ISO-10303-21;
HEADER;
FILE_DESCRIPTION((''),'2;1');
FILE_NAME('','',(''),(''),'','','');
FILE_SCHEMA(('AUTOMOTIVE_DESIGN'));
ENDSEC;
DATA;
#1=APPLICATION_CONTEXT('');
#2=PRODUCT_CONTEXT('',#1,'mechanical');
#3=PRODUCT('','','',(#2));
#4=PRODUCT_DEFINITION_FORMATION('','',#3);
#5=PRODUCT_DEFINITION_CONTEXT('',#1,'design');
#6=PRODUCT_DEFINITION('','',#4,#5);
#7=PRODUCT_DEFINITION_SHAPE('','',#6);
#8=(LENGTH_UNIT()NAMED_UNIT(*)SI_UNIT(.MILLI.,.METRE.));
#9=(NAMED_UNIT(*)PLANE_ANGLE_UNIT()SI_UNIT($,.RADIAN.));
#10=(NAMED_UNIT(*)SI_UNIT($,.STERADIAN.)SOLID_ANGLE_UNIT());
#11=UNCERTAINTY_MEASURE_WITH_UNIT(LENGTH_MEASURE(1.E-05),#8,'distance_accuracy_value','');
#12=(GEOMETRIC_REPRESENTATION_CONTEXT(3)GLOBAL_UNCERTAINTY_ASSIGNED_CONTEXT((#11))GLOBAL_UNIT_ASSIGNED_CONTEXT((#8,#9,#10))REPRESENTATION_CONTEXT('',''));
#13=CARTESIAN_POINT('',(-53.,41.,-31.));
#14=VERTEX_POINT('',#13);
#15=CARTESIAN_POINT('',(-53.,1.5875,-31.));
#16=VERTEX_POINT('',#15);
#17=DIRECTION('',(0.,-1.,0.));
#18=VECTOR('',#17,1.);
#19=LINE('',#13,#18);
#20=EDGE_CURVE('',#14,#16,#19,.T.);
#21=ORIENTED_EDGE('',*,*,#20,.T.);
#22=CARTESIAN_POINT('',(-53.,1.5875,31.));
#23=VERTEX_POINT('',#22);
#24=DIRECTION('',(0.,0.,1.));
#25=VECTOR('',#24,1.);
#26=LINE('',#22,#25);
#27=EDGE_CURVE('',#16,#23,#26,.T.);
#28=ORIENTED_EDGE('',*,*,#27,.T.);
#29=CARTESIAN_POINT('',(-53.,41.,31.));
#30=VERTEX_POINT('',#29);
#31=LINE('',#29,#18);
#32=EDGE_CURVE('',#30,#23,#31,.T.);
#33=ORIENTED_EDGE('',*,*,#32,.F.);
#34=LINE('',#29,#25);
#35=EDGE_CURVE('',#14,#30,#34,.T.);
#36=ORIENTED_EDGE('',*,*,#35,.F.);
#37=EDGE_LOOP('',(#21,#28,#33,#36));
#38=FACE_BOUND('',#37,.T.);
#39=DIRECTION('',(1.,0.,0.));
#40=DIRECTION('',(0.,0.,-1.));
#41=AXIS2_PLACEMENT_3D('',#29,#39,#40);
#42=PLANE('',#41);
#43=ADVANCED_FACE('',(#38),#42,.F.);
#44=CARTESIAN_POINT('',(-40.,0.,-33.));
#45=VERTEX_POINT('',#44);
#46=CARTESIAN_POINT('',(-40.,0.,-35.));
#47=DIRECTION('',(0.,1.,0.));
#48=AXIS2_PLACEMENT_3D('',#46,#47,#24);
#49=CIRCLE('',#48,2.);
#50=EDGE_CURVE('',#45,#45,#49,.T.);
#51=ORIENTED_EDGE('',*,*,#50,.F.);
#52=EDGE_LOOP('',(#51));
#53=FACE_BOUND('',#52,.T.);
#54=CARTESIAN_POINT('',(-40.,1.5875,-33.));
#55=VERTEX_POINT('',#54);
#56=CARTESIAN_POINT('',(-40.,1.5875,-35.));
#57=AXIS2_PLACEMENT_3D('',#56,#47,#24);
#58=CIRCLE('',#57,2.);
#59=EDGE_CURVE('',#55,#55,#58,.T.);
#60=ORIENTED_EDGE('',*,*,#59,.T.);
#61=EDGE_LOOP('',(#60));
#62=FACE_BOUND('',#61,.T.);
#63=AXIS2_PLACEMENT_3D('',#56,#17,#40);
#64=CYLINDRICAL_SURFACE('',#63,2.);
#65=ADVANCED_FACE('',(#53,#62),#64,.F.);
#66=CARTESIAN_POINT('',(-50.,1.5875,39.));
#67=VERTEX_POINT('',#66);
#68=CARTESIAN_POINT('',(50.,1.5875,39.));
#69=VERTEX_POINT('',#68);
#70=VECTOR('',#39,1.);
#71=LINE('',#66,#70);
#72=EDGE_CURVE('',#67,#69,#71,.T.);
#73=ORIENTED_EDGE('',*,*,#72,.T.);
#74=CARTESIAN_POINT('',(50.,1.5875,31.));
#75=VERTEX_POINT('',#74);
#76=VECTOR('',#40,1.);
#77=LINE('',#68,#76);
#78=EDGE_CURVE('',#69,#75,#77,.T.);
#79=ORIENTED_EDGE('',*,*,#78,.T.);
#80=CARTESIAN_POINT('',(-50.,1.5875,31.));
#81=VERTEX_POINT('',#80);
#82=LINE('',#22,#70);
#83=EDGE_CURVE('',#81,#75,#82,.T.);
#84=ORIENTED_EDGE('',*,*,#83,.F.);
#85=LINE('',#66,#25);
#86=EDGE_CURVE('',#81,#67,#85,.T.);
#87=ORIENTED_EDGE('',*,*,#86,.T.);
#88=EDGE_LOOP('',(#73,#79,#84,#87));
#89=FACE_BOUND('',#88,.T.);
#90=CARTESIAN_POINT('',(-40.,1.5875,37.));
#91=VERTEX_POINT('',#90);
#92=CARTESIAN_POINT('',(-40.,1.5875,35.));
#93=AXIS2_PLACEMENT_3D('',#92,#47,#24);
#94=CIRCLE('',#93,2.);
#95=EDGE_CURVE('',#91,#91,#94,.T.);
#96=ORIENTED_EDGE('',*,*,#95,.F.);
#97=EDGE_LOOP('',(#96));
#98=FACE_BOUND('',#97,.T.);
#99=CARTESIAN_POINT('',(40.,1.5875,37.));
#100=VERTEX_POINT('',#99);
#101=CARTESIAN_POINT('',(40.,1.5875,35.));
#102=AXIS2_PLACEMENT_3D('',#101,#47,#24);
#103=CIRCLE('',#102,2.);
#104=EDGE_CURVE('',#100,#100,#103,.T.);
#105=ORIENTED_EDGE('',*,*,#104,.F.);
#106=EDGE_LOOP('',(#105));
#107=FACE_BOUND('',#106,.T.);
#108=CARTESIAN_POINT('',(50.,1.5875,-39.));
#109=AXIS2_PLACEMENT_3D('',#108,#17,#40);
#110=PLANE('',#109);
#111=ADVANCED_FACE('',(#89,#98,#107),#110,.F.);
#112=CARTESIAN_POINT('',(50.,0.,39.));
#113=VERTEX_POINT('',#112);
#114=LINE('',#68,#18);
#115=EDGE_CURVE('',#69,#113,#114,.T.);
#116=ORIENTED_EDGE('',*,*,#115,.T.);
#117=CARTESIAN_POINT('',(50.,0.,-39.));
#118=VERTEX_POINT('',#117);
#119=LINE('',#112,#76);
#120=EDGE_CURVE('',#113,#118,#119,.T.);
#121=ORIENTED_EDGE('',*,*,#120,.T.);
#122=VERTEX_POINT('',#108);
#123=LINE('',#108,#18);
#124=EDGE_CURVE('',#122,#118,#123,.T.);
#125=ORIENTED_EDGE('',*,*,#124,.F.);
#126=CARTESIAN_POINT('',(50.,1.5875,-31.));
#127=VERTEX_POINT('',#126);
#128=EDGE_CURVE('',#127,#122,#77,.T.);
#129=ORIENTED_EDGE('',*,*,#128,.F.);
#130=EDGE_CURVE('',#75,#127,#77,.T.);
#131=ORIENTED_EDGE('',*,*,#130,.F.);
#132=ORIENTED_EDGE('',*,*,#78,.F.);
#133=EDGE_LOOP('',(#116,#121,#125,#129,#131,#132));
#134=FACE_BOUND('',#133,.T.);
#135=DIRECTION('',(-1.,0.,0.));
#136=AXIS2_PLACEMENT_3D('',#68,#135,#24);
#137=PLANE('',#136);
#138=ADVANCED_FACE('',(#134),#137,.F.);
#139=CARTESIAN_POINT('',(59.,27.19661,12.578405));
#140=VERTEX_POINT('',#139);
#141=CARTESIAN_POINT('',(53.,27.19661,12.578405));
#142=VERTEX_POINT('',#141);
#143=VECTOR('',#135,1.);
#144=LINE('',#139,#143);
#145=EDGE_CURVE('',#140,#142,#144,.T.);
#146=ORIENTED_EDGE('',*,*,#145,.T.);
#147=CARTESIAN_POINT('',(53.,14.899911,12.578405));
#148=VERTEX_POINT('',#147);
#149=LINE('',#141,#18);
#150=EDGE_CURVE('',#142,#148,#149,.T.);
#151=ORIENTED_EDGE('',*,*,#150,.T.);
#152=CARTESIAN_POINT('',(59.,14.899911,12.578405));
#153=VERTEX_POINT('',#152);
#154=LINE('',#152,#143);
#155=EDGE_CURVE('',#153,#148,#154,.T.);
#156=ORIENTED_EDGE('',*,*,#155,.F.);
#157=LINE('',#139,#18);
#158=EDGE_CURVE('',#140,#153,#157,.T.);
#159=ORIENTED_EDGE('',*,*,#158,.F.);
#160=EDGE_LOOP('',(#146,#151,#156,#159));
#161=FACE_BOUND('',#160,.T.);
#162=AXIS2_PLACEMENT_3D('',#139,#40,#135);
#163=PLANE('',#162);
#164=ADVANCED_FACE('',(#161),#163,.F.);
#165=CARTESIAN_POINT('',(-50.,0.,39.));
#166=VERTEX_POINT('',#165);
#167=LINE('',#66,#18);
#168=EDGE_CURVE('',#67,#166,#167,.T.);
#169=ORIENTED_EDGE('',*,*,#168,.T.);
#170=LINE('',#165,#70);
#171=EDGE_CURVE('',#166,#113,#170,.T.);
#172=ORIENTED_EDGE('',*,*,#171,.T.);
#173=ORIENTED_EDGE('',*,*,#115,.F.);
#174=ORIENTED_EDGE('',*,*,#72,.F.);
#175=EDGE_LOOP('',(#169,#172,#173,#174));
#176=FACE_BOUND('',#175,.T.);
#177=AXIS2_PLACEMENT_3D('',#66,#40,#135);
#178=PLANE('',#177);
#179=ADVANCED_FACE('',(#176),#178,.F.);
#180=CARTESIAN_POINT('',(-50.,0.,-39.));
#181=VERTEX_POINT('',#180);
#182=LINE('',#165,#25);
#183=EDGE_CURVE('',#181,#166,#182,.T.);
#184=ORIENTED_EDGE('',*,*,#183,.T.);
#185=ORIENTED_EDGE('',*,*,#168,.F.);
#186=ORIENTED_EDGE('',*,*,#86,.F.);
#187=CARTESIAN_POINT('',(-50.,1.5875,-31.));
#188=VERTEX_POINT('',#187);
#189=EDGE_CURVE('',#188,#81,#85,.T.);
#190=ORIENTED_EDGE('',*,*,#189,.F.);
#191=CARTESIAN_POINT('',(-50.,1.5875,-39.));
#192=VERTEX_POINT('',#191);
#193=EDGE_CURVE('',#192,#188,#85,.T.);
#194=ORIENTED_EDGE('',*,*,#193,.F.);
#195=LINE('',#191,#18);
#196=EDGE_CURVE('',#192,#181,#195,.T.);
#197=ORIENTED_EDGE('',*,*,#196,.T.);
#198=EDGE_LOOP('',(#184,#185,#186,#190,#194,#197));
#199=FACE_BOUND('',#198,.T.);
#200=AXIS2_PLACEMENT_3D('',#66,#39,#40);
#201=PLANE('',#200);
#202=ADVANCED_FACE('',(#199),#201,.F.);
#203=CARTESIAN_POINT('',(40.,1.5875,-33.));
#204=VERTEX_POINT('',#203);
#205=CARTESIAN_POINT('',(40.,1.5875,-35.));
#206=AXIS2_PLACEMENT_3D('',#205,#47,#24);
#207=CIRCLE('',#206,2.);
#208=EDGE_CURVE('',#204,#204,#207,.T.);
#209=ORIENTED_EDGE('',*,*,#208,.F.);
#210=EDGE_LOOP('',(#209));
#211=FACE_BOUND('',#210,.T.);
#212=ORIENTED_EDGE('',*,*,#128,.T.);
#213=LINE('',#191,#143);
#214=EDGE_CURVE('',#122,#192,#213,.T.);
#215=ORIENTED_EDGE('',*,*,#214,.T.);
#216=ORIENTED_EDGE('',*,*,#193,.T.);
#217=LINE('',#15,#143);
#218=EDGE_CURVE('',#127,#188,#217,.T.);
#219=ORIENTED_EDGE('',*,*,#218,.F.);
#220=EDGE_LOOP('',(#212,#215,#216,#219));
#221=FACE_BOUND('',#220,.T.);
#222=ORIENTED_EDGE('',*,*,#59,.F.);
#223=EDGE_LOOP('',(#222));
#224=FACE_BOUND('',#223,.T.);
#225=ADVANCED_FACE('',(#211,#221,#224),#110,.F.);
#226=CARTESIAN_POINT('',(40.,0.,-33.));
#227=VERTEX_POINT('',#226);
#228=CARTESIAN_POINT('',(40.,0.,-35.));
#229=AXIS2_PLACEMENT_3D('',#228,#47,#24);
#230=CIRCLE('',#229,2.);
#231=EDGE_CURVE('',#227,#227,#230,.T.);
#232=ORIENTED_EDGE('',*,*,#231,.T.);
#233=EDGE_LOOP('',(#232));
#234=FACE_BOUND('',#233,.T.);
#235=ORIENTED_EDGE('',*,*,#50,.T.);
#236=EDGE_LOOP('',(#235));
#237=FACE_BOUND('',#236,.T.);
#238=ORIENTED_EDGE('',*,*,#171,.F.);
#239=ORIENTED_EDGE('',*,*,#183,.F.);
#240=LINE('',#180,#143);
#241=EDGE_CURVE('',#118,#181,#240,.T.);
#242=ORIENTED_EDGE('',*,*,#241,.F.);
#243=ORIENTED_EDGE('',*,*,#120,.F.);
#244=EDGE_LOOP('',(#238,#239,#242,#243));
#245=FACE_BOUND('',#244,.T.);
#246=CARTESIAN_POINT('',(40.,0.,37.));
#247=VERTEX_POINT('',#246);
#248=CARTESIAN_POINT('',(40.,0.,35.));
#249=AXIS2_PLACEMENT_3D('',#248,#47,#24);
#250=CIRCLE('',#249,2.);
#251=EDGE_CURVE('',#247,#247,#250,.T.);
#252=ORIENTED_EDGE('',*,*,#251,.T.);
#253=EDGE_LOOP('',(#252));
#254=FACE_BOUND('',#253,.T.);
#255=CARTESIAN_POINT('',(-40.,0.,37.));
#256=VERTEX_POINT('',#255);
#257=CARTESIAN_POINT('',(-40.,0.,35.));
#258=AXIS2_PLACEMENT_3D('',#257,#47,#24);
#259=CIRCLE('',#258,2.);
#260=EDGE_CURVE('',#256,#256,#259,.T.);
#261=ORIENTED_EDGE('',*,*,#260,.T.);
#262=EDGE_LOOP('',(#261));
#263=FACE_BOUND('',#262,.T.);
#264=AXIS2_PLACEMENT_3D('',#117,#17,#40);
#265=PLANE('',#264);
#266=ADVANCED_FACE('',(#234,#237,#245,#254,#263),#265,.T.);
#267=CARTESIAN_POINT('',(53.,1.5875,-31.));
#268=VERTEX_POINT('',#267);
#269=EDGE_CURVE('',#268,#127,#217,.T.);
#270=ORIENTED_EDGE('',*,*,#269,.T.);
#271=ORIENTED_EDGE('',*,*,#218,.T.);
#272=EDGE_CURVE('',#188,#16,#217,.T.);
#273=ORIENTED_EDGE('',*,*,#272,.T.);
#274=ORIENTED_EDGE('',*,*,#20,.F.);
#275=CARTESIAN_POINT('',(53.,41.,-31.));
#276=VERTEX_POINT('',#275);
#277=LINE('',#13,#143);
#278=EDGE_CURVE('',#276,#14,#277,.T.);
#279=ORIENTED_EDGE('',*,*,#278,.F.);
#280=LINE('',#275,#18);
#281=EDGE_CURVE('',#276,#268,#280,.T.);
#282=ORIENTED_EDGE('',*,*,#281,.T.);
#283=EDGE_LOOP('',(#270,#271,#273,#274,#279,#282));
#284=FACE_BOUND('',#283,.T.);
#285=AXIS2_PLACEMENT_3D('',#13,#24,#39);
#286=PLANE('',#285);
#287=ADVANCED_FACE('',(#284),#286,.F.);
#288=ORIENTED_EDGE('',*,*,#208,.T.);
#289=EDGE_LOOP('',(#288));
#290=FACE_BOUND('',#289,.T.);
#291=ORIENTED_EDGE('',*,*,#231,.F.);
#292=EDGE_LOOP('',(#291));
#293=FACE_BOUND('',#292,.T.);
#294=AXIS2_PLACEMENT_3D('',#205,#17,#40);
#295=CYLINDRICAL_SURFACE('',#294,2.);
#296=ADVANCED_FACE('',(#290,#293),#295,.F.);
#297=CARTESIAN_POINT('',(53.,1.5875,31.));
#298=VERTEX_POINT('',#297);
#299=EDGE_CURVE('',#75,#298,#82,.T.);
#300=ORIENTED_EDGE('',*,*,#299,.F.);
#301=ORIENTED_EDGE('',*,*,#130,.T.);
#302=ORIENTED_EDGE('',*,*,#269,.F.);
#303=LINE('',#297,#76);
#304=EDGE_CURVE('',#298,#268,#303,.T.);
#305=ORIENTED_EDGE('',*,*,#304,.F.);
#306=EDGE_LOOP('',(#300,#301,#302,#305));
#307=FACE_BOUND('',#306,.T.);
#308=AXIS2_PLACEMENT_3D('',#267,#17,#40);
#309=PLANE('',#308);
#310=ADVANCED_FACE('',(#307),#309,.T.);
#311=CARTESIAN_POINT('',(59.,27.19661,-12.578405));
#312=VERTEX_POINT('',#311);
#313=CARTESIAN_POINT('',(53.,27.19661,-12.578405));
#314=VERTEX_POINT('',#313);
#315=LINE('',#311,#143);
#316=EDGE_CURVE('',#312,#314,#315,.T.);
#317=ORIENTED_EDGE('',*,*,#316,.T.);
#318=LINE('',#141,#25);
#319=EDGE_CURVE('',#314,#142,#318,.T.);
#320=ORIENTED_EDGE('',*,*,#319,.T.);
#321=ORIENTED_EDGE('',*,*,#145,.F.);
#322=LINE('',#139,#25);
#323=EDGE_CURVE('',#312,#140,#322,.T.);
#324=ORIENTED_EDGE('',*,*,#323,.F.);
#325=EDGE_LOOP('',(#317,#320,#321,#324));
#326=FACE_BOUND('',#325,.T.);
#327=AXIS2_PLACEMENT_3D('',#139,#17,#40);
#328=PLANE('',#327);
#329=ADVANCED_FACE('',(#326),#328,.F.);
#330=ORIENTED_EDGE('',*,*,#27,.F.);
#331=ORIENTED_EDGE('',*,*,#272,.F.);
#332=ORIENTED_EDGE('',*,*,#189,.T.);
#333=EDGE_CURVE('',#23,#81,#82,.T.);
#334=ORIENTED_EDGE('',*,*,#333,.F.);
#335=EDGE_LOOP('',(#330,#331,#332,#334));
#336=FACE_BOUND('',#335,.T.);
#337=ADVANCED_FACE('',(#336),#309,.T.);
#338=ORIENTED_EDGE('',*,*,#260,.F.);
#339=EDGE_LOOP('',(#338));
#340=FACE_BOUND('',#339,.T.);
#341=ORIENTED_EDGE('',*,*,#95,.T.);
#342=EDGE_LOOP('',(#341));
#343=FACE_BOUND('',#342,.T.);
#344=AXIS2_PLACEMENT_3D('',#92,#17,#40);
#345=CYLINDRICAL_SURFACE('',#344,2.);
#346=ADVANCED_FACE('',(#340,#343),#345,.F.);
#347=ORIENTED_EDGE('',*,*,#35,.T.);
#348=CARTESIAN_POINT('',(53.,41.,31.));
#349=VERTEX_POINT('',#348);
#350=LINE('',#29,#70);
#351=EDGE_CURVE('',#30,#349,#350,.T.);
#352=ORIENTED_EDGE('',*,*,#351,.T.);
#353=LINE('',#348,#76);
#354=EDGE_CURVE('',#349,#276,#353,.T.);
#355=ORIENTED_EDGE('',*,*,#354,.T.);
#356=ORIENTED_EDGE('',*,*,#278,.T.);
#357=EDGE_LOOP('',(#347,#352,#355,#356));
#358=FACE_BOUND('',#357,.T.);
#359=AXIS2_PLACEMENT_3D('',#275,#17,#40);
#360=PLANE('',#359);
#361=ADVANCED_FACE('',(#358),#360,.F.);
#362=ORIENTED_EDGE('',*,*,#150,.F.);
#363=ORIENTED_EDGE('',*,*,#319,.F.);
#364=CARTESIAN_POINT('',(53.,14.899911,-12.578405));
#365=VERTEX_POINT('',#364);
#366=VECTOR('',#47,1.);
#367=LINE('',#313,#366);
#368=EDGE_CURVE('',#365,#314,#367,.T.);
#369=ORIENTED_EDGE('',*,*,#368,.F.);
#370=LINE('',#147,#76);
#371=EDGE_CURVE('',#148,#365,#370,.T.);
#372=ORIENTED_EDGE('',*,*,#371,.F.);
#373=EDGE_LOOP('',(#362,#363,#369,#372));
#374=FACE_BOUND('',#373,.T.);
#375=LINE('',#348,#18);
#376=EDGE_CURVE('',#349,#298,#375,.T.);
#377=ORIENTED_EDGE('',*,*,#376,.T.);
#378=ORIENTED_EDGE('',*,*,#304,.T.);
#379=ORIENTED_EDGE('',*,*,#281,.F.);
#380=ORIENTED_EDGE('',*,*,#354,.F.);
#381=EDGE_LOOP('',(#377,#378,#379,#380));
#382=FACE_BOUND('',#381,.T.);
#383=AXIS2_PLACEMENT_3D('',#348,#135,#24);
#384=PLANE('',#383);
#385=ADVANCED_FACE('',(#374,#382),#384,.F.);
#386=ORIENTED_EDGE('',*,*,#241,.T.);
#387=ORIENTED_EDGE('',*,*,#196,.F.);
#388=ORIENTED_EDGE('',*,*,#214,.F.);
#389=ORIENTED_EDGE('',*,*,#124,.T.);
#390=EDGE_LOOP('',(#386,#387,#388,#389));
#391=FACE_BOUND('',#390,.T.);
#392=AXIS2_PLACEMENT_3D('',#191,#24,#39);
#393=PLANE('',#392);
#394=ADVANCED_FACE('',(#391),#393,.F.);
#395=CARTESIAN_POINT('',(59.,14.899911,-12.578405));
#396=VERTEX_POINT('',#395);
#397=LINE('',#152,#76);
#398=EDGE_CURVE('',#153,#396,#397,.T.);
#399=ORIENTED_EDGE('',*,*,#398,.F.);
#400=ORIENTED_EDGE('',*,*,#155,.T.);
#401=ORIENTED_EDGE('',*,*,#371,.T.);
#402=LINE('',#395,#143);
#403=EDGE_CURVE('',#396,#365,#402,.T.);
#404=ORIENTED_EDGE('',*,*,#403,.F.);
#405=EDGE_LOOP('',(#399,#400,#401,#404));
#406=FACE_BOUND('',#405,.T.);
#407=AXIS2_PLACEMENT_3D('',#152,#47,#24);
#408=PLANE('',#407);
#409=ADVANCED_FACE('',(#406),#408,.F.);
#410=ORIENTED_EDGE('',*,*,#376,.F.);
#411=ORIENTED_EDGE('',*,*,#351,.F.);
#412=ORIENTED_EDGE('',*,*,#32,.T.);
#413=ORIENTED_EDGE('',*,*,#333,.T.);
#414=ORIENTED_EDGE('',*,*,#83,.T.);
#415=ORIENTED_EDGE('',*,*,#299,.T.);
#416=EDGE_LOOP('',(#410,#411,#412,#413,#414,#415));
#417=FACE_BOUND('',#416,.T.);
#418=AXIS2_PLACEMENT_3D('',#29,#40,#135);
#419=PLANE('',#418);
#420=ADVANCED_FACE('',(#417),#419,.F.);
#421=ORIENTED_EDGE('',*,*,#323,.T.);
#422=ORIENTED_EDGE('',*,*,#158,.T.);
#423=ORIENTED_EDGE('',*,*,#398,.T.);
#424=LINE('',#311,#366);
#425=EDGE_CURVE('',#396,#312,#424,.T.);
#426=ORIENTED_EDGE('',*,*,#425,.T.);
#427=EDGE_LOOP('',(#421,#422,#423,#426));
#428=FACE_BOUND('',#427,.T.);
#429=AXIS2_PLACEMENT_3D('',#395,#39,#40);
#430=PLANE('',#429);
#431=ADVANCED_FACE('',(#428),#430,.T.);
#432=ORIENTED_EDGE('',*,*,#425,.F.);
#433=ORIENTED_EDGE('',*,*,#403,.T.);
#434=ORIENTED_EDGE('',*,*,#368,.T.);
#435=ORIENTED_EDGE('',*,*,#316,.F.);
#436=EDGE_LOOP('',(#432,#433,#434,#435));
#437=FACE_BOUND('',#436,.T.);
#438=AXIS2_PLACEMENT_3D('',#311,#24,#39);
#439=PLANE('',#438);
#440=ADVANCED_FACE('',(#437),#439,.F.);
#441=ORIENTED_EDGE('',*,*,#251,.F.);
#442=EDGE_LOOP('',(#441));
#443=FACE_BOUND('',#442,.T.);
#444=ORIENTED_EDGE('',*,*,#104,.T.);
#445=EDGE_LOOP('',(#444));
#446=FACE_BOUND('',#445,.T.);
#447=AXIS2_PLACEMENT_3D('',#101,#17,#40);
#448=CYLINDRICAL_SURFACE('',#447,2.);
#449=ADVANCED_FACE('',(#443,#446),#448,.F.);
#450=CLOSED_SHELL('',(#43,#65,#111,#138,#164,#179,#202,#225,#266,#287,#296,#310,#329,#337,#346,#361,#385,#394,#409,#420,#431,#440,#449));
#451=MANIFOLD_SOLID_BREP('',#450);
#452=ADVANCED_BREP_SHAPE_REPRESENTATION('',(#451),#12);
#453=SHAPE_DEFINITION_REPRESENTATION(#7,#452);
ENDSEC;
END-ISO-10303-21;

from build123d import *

# Parameters (mm, degrees)
SKETCH1_W           = 100
SKETCH1_H           = 78
SKETCH1_R           = 2
BOSS_EXTRUDE1_DEPTH = 1.5875
SKETCH2_W           = 106
SKETCH2_H           = 62
BOSS_EXTRUDE2_DEPTH = 39.4125
SKETCH3_W           = 25.156810392
SKETCH3_H           = 12.296698836
BOSS_EXTRUDE3_DEPTH = 6


with BuildPart() as part:
    # Sketch1 → Boss-Extrude1 (new body)
    with BuildSketch(Plane(origin=(0, 0, 0), x_dir=(1, 0, 0), z_dir=(0, 1, 0))):
        Rectangle(SKETCH1_W, SKETCH1_H)
        with Locations(Location((-40, 35, 0), (0, 0, 270))):
            Circle(SKETCH1_R, mode=Mode.SUBTRACT)
        with Locations(Location((40, 35, 0), (0, 0, 270))):
            Circle(SKETCH1_R, mode=Mode.SUBTRACT)
        with Locations(Location((-40, -35, 0), (0, 0, 270))):
            Circle(SKETCH1_R, mode=Mode.SUBTRACT)
        with Locations(Location((40, -35, 0), (0, 0, 270))):
            Circle(SKETCH1_R, mode=Mode.SUBTRACT)
    extrude(amount=BOSS_EXTRUDE1_DEPTH)

    # Sketch2 → Boss-Extrude2 (add)
    with BuildSketch(Plane(origin=(0, 1.5875, 0), x_dir=(-1, 0, 0), z_dir=(0, 1, 0))):
        Rectangle(SKETCH2_W, SKETCH2_H)
    extrude(amount=BOSS_EXTRUDE2_DEPTH)

    # Sketch3 → Boss-Extrude3 (add)
    with BuildSketch(Plane(origin=(53, 0, 0), x_dir=(0, 0, -1), z_dir=(1, 0, 0))):
        with Locations((0, 21.048260477)):
            Rectangle(SKETCH3_W, SKETCH3_H)
    extrude(amount=BOSS_EXTRUDE3_DEPTH)


solid = part.part
